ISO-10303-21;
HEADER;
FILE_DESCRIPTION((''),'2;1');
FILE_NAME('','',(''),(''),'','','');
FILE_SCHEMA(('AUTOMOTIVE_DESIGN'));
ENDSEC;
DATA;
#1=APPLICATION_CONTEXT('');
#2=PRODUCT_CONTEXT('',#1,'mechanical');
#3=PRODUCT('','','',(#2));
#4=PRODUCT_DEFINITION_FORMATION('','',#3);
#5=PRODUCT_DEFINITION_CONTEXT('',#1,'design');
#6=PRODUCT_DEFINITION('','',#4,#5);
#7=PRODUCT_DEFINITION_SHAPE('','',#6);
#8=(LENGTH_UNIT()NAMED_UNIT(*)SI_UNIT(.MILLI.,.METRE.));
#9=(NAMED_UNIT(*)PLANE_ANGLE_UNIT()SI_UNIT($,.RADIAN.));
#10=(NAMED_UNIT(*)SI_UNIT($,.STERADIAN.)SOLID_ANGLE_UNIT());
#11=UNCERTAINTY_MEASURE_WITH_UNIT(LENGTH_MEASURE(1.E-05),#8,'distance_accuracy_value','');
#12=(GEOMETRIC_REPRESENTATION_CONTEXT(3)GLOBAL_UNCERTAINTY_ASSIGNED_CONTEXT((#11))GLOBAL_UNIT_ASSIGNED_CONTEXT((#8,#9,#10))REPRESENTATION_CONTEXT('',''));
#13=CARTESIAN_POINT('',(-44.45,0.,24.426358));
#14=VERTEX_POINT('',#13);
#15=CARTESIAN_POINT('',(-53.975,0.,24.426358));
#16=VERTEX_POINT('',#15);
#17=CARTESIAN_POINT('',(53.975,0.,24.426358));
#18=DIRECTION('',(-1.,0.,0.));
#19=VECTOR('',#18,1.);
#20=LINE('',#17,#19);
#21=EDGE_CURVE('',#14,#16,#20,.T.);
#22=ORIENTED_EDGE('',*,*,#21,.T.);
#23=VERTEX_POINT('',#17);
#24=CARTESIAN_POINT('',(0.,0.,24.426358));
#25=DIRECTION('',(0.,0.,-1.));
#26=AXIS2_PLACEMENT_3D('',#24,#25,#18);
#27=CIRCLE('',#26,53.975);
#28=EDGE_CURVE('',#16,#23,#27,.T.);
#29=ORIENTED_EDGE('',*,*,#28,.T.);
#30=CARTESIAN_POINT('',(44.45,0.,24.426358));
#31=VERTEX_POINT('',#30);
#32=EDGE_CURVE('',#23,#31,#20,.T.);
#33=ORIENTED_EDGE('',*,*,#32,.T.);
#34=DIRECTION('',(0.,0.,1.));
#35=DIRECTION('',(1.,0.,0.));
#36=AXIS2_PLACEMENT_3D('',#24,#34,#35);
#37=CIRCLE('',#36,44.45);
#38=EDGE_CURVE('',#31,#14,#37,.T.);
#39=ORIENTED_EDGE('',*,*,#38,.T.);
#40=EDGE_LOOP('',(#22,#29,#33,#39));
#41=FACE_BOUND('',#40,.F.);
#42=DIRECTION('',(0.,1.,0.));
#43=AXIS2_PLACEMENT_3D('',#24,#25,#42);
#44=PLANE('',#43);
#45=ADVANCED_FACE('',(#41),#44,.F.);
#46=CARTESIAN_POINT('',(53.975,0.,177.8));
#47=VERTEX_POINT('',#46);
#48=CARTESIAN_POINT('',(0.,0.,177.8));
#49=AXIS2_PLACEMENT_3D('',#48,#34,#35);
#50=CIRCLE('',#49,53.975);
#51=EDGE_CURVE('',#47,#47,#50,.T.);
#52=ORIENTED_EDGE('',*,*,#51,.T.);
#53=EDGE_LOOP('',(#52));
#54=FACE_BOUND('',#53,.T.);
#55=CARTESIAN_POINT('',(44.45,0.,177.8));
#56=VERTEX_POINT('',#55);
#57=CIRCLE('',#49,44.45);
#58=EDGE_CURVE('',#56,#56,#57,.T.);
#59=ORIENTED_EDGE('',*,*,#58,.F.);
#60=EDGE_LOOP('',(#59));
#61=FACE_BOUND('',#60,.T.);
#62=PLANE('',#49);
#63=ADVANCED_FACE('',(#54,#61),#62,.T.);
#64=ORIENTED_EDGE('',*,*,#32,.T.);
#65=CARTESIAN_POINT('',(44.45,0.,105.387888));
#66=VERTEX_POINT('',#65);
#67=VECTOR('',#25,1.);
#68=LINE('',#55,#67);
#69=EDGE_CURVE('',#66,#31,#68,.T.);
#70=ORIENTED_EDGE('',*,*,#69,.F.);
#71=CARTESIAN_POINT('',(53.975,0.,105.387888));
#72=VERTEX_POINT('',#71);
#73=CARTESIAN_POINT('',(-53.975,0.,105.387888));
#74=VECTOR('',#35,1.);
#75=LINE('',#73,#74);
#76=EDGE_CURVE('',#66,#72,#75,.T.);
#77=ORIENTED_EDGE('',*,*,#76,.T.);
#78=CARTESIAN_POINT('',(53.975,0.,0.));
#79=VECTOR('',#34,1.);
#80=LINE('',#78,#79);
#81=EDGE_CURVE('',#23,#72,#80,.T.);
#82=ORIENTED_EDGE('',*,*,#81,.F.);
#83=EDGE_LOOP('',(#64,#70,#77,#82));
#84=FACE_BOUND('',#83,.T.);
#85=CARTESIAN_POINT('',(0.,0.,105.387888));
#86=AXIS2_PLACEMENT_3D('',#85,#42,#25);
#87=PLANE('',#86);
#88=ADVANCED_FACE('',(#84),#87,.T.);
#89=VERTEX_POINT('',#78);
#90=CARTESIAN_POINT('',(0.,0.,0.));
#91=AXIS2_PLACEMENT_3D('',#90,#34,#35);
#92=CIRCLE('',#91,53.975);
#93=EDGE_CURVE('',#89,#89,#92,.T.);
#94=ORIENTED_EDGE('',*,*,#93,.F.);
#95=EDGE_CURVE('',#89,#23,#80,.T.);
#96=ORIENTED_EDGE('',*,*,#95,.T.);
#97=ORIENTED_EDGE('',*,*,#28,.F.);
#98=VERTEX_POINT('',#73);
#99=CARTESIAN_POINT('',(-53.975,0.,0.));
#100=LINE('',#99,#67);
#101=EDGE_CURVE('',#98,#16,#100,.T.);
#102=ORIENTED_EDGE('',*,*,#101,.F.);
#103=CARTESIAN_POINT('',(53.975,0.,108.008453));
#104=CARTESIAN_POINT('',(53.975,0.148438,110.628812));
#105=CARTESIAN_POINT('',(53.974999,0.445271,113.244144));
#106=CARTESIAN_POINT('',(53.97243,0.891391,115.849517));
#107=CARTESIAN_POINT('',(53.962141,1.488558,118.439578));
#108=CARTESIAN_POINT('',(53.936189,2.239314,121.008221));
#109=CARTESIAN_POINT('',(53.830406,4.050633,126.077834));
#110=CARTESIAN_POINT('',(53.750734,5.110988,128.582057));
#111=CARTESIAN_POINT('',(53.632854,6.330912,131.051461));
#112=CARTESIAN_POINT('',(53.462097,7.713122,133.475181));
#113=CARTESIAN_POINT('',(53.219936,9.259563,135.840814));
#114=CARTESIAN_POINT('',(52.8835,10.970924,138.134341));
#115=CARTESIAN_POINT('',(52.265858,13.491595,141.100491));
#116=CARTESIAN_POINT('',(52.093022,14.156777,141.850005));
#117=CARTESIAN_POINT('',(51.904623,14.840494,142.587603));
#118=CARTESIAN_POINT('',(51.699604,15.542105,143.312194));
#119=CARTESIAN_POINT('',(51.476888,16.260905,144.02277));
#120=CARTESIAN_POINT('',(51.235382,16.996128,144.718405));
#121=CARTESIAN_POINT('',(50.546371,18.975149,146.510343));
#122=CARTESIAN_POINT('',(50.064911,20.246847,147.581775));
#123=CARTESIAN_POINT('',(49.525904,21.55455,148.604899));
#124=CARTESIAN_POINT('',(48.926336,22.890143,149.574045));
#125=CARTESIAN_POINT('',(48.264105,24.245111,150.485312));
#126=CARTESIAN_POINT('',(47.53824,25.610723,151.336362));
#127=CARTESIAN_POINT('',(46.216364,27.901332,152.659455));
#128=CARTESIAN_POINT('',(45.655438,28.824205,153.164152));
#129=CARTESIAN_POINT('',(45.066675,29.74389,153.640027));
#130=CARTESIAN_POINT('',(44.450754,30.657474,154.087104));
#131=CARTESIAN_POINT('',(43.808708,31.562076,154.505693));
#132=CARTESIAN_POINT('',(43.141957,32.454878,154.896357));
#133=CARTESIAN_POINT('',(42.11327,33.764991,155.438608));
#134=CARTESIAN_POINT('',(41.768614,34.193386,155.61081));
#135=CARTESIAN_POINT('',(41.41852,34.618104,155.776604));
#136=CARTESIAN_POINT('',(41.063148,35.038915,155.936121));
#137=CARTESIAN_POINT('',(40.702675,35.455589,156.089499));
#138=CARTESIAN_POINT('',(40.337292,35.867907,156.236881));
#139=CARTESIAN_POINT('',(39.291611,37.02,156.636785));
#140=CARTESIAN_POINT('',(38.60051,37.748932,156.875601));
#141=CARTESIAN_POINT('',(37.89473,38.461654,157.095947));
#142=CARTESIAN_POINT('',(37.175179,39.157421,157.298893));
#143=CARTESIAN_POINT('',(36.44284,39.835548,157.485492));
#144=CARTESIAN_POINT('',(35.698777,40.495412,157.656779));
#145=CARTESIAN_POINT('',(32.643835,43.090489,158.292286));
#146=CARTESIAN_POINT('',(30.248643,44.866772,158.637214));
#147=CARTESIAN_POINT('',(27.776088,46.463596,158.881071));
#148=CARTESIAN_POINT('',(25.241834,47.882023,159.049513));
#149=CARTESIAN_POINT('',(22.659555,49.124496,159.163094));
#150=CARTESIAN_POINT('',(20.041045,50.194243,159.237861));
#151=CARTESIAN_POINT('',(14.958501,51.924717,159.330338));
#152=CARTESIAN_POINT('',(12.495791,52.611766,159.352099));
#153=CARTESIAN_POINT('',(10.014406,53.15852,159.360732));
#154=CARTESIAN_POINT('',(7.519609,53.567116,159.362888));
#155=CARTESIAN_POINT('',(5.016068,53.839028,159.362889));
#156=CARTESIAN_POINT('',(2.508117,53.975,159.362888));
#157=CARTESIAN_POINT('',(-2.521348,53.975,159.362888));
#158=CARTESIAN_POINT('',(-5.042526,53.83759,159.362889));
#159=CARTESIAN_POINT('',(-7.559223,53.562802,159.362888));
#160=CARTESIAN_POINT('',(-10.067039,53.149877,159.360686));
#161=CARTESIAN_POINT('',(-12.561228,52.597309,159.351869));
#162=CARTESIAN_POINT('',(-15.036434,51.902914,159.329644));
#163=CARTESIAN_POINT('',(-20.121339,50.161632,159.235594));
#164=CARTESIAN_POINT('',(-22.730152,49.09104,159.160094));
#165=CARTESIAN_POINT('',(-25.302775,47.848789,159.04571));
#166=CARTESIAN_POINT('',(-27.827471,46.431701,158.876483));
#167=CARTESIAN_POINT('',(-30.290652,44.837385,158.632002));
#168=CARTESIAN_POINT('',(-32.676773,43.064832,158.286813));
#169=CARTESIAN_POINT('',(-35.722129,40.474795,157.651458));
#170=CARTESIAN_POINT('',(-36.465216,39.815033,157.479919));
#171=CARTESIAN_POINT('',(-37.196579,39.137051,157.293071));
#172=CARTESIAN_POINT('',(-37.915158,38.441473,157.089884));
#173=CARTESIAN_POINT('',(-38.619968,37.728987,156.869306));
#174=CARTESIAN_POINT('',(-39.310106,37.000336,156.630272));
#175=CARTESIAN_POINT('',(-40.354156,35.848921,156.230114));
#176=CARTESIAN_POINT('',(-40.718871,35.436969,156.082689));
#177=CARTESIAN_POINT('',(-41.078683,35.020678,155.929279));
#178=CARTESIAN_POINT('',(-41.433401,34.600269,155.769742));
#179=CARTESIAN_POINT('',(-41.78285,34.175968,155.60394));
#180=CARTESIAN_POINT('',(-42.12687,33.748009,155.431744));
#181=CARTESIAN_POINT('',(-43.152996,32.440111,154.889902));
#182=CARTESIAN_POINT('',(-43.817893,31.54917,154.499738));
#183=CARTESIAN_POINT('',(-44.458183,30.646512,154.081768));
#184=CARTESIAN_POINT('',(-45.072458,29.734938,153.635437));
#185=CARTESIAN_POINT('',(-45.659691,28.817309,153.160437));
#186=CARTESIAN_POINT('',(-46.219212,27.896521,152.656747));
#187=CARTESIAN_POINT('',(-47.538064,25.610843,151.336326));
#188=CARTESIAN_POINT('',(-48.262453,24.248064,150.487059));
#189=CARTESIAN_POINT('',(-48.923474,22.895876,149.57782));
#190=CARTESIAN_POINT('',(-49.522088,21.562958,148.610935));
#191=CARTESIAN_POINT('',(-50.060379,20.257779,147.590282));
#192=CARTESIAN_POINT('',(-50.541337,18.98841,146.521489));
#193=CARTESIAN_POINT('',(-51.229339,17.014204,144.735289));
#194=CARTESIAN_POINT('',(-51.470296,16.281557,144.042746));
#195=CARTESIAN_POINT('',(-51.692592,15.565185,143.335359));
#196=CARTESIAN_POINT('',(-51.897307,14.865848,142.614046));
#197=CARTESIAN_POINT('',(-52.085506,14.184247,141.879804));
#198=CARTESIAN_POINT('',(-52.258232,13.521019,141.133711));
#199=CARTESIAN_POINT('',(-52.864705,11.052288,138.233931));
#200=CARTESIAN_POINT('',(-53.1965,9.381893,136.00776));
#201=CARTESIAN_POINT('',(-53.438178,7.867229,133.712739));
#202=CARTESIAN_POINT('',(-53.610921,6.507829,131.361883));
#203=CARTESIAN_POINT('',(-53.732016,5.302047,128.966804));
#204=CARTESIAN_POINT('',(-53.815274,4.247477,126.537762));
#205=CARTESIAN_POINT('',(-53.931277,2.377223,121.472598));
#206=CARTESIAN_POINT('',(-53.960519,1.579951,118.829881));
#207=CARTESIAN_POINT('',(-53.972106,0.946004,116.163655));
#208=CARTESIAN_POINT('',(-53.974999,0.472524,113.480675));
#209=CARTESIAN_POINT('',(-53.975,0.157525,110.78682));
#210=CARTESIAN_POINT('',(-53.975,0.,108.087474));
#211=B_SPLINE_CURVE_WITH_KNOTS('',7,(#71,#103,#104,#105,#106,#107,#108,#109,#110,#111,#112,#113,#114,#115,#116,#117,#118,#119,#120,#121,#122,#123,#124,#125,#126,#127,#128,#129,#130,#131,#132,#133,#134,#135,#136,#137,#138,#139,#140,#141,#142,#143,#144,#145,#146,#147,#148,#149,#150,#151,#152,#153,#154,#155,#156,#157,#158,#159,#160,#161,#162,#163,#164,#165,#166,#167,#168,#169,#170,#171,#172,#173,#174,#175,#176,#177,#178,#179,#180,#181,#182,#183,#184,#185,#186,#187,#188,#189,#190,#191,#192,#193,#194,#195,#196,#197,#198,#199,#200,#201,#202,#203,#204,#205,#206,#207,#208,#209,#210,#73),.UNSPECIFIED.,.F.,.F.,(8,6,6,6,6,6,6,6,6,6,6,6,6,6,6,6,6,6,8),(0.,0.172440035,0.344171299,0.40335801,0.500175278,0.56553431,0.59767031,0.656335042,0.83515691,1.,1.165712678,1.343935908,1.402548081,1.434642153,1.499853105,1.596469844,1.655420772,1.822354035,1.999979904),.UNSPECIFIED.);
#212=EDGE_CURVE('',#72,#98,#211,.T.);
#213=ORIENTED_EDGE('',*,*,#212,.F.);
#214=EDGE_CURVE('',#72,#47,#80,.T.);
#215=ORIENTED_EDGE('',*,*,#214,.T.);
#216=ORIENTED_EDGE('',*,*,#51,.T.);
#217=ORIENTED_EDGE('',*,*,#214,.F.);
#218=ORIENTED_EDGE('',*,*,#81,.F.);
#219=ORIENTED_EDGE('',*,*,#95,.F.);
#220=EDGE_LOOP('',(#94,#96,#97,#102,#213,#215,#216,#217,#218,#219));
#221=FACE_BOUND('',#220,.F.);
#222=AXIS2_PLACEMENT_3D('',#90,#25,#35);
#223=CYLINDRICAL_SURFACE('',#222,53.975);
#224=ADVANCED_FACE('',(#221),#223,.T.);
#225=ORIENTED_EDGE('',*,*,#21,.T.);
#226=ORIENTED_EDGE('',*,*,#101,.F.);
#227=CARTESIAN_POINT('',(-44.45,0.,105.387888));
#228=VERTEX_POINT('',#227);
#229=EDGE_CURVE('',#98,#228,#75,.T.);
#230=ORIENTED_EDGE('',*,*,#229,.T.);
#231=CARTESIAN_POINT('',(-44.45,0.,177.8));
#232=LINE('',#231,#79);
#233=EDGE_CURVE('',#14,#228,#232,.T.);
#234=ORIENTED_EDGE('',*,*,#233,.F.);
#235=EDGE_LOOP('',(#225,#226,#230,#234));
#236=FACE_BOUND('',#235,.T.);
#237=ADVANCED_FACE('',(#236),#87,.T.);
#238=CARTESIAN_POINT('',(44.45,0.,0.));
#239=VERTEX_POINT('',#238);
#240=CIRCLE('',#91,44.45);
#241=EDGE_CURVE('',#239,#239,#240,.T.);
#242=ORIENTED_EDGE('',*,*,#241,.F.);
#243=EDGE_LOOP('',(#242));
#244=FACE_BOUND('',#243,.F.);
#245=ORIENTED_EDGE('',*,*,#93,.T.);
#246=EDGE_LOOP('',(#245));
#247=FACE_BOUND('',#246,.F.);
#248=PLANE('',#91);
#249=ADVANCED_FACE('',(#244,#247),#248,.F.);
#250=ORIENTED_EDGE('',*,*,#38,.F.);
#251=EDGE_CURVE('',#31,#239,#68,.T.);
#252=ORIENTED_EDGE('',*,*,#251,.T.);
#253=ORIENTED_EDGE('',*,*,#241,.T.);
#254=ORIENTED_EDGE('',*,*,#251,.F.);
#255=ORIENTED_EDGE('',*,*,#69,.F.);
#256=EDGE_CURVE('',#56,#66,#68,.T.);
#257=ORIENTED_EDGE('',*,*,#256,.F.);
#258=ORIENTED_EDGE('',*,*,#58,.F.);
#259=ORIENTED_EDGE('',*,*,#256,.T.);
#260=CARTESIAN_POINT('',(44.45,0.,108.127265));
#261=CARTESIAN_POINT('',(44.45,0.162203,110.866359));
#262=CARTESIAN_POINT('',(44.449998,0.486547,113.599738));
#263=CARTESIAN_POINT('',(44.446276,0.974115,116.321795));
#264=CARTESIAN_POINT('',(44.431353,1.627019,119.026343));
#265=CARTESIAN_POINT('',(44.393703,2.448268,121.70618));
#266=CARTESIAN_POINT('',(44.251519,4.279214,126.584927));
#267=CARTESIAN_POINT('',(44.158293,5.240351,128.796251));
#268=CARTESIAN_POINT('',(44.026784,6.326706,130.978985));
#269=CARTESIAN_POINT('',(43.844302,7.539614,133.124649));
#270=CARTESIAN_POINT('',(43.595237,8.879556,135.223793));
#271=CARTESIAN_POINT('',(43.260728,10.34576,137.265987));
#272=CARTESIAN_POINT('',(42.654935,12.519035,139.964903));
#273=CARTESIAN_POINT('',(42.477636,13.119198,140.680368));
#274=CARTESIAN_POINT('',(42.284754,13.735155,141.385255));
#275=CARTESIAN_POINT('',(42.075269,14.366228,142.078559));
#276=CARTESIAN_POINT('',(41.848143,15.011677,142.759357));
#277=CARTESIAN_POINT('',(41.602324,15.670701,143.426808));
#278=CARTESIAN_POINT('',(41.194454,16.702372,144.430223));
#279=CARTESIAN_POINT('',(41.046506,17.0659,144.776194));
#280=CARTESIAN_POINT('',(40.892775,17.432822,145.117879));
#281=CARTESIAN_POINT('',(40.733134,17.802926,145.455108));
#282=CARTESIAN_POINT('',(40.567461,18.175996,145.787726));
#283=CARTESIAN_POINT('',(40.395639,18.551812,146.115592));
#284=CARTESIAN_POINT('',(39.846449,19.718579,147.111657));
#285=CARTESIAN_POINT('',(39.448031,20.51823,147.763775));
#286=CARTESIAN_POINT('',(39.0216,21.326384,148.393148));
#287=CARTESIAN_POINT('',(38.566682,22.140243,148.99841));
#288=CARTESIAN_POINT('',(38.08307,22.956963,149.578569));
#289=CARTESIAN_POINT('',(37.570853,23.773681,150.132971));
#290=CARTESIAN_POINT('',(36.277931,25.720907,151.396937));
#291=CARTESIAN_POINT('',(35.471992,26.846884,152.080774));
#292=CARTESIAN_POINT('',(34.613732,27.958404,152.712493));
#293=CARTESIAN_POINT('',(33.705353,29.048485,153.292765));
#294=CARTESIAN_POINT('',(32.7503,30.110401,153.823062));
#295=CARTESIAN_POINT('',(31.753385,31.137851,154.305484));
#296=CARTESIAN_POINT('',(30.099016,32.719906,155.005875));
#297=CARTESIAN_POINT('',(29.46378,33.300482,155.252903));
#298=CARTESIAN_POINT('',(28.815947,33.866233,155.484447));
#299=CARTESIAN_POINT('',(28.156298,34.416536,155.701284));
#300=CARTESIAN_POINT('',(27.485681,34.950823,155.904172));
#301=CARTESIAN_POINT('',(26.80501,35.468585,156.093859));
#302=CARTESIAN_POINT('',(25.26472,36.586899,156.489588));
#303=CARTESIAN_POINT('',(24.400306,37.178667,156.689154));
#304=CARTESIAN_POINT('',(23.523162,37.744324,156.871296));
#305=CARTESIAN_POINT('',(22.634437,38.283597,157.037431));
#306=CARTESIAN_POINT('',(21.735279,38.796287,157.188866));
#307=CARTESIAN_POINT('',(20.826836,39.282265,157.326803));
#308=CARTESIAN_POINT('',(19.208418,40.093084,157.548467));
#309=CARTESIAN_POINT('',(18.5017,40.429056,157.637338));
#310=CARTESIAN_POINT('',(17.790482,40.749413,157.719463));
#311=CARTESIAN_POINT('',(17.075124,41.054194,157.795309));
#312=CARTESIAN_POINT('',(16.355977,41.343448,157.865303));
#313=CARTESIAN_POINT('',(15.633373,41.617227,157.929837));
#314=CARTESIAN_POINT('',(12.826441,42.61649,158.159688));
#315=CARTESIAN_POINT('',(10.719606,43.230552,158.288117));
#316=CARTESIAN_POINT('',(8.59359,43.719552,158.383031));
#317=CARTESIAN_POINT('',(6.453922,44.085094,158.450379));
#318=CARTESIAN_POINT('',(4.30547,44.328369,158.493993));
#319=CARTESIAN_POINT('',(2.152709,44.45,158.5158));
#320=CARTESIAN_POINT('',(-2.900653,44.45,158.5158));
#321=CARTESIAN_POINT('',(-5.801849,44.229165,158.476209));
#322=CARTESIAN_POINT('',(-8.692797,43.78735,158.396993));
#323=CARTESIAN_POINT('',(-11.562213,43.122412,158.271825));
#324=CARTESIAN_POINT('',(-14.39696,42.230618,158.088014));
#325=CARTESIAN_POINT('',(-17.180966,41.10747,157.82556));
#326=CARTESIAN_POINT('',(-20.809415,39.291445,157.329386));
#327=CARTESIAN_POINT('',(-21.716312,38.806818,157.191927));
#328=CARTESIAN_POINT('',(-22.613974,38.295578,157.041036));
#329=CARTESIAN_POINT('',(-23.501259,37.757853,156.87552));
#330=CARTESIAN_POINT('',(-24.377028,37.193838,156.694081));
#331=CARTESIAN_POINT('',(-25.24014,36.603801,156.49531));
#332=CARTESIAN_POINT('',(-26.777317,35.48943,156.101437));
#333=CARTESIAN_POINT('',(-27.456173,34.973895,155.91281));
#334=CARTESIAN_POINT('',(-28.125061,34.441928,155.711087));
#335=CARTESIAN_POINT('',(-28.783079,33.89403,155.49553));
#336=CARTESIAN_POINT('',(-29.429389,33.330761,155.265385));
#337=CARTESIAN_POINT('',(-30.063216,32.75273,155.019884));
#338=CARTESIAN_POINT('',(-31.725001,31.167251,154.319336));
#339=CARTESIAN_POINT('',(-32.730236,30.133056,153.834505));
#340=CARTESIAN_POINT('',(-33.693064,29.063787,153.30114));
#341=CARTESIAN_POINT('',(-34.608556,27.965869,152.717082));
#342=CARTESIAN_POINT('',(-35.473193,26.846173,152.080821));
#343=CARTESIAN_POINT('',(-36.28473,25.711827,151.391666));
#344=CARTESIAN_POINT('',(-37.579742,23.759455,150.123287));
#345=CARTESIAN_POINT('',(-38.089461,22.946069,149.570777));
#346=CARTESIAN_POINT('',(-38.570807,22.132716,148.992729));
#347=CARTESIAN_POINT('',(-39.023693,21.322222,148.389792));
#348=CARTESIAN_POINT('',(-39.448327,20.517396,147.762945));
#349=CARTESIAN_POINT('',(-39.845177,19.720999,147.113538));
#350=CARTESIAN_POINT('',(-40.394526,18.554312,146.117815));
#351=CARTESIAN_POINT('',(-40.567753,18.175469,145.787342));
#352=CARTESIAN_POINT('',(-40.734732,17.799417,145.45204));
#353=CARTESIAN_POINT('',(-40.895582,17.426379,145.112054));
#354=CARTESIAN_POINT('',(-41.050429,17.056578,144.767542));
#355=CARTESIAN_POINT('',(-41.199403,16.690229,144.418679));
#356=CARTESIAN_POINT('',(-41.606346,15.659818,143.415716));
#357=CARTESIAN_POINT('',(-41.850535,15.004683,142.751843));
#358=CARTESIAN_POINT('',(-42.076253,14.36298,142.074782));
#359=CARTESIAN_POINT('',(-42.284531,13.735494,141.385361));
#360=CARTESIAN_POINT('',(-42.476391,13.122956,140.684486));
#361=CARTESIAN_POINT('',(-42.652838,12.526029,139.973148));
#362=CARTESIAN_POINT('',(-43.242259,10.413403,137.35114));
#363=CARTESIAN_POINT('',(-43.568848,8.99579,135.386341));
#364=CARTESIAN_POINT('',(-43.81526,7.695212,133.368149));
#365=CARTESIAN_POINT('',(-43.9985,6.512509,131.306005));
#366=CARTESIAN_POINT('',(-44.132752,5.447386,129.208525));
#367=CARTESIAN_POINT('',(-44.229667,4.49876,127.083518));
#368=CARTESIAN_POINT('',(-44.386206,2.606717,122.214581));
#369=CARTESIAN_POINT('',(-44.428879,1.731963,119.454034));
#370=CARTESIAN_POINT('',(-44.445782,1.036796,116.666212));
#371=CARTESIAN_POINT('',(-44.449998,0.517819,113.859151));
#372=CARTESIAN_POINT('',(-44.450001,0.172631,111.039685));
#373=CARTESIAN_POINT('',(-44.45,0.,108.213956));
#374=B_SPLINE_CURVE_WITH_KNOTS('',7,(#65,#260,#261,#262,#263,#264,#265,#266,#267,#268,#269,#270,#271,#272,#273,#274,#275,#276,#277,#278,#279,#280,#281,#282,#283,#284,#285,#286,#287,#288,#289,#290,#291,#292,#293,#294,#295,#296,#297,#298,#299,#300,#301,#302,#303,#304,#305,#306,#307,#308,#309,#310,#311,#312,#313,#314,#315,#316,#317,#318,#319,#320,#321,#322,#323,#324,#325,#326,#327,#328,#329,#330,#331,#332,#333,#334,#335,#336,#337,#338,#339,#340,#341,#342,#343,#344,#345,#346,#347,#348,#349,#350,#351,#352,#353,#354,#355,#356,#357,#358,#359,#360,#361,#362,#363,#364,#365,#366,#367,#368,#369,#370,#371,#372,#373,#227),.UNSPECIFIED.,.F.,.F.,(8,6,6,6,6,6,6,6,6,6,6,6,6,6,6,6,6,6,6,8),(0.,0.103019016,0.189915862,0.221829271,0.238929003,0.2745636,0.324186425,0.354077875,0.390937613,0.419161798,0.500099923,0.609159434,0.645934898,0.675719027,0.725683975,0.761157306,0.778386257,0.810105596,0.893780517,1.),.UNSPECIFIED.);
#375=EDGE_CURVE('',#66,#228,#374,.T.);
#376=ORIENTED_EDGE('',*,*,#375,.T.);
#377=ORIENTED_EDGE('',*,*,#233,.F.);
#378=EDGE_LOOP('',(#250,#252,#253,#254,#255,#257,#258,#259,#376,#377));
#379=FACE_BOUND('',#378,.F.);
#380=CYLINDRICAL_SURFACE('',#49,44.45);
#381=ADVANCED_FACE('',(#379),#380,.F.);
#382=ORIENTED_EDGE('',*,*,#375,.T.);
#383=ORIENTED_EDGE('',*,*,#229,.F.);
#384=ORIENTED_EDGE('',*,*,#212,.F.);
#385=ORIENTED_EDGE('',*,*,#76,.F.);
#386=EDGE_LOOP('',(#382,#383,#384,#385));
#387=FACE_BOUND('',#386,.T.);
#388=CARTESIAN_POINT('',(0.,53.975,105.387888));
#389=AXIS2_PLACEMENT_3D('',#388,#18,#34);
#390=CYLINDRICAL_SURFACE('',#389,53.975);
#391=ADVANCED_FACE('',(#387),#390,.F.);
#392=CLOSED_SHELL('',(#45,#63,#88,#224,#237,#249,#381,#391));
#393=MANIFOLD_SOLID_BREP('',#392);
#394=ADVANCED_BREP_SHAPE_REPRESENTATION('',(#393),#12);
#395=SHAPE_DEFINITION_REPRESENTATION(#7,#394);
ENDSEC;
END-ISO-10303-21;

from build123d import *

# Parameters (mm, degrees)
F0_R          = 53.975
F1_DEPTH      = 177.8
F3_DEPTH      = 78.74
F3_DEPTH_BACK = 76.2
F4_R          = 44.45
F5_DEPTH      = 259.842


with BuildPart() as f1:
    # F0 (on Top) → F1 (new body)
    with BuildSketch(Plane.XY):
        Circle(F0_R)
    extrude(amount=F1_DEPTH)

    # F2 (on Right) → F3 (cut, two sides)
    with BuildSketch(Plane.YZ) as f3_sk:
        with BuildLine():
            Line((53.975, 24.4263578206), (53.975, 51.4128883973))
            ThreePointArc((53.975, 51.4128883973), (15.8089114855, 67.2217998827), (0, 105.3878883973))
            Line((0, 105.3878883973), (0, 24.4263578206))
            Line((0, 24.4263578206), (53.975, 24.4263578206))
        make_face()
        with BuildLine():
            Line((53.975, 105.3878883973), (53.975, 159.3628883973))
            ThreePointArc((53.975, 159.3628883973), (15.8089114855, 143.5539769118), (0, 105.3878883973))
            Line((0, 105.3878883973), (53.975, 105.3878883973))
        make_face()
        with BuildLine():
            ThreePointArc((0, 105.3878883973), (15.8089114855, 67.2217998827), (53.975, 51.4128883973))
            Line((53.975, 51.4128883973), (53.975, 105.3878883973))
            Line((53.975, 105.3878883973), (0, 105.3878883973))
        make_face()
    extrude(amount=-F3_DEPTH, mode=Mode.SUBTRACT)
    extrude(f3_sk.sketch, amount=F3_DEPTH_BACK, mode=Mode.SUBTRACT)

    # F4 (on face) → F5 (cut)
    with BuildSketch(Plane.XY.offset(177.8)):
        Circle(F4_R)
    extrude(amount=-F5_DEPTH, mode=Mode.SUBTRACT)


solid = f1.part
